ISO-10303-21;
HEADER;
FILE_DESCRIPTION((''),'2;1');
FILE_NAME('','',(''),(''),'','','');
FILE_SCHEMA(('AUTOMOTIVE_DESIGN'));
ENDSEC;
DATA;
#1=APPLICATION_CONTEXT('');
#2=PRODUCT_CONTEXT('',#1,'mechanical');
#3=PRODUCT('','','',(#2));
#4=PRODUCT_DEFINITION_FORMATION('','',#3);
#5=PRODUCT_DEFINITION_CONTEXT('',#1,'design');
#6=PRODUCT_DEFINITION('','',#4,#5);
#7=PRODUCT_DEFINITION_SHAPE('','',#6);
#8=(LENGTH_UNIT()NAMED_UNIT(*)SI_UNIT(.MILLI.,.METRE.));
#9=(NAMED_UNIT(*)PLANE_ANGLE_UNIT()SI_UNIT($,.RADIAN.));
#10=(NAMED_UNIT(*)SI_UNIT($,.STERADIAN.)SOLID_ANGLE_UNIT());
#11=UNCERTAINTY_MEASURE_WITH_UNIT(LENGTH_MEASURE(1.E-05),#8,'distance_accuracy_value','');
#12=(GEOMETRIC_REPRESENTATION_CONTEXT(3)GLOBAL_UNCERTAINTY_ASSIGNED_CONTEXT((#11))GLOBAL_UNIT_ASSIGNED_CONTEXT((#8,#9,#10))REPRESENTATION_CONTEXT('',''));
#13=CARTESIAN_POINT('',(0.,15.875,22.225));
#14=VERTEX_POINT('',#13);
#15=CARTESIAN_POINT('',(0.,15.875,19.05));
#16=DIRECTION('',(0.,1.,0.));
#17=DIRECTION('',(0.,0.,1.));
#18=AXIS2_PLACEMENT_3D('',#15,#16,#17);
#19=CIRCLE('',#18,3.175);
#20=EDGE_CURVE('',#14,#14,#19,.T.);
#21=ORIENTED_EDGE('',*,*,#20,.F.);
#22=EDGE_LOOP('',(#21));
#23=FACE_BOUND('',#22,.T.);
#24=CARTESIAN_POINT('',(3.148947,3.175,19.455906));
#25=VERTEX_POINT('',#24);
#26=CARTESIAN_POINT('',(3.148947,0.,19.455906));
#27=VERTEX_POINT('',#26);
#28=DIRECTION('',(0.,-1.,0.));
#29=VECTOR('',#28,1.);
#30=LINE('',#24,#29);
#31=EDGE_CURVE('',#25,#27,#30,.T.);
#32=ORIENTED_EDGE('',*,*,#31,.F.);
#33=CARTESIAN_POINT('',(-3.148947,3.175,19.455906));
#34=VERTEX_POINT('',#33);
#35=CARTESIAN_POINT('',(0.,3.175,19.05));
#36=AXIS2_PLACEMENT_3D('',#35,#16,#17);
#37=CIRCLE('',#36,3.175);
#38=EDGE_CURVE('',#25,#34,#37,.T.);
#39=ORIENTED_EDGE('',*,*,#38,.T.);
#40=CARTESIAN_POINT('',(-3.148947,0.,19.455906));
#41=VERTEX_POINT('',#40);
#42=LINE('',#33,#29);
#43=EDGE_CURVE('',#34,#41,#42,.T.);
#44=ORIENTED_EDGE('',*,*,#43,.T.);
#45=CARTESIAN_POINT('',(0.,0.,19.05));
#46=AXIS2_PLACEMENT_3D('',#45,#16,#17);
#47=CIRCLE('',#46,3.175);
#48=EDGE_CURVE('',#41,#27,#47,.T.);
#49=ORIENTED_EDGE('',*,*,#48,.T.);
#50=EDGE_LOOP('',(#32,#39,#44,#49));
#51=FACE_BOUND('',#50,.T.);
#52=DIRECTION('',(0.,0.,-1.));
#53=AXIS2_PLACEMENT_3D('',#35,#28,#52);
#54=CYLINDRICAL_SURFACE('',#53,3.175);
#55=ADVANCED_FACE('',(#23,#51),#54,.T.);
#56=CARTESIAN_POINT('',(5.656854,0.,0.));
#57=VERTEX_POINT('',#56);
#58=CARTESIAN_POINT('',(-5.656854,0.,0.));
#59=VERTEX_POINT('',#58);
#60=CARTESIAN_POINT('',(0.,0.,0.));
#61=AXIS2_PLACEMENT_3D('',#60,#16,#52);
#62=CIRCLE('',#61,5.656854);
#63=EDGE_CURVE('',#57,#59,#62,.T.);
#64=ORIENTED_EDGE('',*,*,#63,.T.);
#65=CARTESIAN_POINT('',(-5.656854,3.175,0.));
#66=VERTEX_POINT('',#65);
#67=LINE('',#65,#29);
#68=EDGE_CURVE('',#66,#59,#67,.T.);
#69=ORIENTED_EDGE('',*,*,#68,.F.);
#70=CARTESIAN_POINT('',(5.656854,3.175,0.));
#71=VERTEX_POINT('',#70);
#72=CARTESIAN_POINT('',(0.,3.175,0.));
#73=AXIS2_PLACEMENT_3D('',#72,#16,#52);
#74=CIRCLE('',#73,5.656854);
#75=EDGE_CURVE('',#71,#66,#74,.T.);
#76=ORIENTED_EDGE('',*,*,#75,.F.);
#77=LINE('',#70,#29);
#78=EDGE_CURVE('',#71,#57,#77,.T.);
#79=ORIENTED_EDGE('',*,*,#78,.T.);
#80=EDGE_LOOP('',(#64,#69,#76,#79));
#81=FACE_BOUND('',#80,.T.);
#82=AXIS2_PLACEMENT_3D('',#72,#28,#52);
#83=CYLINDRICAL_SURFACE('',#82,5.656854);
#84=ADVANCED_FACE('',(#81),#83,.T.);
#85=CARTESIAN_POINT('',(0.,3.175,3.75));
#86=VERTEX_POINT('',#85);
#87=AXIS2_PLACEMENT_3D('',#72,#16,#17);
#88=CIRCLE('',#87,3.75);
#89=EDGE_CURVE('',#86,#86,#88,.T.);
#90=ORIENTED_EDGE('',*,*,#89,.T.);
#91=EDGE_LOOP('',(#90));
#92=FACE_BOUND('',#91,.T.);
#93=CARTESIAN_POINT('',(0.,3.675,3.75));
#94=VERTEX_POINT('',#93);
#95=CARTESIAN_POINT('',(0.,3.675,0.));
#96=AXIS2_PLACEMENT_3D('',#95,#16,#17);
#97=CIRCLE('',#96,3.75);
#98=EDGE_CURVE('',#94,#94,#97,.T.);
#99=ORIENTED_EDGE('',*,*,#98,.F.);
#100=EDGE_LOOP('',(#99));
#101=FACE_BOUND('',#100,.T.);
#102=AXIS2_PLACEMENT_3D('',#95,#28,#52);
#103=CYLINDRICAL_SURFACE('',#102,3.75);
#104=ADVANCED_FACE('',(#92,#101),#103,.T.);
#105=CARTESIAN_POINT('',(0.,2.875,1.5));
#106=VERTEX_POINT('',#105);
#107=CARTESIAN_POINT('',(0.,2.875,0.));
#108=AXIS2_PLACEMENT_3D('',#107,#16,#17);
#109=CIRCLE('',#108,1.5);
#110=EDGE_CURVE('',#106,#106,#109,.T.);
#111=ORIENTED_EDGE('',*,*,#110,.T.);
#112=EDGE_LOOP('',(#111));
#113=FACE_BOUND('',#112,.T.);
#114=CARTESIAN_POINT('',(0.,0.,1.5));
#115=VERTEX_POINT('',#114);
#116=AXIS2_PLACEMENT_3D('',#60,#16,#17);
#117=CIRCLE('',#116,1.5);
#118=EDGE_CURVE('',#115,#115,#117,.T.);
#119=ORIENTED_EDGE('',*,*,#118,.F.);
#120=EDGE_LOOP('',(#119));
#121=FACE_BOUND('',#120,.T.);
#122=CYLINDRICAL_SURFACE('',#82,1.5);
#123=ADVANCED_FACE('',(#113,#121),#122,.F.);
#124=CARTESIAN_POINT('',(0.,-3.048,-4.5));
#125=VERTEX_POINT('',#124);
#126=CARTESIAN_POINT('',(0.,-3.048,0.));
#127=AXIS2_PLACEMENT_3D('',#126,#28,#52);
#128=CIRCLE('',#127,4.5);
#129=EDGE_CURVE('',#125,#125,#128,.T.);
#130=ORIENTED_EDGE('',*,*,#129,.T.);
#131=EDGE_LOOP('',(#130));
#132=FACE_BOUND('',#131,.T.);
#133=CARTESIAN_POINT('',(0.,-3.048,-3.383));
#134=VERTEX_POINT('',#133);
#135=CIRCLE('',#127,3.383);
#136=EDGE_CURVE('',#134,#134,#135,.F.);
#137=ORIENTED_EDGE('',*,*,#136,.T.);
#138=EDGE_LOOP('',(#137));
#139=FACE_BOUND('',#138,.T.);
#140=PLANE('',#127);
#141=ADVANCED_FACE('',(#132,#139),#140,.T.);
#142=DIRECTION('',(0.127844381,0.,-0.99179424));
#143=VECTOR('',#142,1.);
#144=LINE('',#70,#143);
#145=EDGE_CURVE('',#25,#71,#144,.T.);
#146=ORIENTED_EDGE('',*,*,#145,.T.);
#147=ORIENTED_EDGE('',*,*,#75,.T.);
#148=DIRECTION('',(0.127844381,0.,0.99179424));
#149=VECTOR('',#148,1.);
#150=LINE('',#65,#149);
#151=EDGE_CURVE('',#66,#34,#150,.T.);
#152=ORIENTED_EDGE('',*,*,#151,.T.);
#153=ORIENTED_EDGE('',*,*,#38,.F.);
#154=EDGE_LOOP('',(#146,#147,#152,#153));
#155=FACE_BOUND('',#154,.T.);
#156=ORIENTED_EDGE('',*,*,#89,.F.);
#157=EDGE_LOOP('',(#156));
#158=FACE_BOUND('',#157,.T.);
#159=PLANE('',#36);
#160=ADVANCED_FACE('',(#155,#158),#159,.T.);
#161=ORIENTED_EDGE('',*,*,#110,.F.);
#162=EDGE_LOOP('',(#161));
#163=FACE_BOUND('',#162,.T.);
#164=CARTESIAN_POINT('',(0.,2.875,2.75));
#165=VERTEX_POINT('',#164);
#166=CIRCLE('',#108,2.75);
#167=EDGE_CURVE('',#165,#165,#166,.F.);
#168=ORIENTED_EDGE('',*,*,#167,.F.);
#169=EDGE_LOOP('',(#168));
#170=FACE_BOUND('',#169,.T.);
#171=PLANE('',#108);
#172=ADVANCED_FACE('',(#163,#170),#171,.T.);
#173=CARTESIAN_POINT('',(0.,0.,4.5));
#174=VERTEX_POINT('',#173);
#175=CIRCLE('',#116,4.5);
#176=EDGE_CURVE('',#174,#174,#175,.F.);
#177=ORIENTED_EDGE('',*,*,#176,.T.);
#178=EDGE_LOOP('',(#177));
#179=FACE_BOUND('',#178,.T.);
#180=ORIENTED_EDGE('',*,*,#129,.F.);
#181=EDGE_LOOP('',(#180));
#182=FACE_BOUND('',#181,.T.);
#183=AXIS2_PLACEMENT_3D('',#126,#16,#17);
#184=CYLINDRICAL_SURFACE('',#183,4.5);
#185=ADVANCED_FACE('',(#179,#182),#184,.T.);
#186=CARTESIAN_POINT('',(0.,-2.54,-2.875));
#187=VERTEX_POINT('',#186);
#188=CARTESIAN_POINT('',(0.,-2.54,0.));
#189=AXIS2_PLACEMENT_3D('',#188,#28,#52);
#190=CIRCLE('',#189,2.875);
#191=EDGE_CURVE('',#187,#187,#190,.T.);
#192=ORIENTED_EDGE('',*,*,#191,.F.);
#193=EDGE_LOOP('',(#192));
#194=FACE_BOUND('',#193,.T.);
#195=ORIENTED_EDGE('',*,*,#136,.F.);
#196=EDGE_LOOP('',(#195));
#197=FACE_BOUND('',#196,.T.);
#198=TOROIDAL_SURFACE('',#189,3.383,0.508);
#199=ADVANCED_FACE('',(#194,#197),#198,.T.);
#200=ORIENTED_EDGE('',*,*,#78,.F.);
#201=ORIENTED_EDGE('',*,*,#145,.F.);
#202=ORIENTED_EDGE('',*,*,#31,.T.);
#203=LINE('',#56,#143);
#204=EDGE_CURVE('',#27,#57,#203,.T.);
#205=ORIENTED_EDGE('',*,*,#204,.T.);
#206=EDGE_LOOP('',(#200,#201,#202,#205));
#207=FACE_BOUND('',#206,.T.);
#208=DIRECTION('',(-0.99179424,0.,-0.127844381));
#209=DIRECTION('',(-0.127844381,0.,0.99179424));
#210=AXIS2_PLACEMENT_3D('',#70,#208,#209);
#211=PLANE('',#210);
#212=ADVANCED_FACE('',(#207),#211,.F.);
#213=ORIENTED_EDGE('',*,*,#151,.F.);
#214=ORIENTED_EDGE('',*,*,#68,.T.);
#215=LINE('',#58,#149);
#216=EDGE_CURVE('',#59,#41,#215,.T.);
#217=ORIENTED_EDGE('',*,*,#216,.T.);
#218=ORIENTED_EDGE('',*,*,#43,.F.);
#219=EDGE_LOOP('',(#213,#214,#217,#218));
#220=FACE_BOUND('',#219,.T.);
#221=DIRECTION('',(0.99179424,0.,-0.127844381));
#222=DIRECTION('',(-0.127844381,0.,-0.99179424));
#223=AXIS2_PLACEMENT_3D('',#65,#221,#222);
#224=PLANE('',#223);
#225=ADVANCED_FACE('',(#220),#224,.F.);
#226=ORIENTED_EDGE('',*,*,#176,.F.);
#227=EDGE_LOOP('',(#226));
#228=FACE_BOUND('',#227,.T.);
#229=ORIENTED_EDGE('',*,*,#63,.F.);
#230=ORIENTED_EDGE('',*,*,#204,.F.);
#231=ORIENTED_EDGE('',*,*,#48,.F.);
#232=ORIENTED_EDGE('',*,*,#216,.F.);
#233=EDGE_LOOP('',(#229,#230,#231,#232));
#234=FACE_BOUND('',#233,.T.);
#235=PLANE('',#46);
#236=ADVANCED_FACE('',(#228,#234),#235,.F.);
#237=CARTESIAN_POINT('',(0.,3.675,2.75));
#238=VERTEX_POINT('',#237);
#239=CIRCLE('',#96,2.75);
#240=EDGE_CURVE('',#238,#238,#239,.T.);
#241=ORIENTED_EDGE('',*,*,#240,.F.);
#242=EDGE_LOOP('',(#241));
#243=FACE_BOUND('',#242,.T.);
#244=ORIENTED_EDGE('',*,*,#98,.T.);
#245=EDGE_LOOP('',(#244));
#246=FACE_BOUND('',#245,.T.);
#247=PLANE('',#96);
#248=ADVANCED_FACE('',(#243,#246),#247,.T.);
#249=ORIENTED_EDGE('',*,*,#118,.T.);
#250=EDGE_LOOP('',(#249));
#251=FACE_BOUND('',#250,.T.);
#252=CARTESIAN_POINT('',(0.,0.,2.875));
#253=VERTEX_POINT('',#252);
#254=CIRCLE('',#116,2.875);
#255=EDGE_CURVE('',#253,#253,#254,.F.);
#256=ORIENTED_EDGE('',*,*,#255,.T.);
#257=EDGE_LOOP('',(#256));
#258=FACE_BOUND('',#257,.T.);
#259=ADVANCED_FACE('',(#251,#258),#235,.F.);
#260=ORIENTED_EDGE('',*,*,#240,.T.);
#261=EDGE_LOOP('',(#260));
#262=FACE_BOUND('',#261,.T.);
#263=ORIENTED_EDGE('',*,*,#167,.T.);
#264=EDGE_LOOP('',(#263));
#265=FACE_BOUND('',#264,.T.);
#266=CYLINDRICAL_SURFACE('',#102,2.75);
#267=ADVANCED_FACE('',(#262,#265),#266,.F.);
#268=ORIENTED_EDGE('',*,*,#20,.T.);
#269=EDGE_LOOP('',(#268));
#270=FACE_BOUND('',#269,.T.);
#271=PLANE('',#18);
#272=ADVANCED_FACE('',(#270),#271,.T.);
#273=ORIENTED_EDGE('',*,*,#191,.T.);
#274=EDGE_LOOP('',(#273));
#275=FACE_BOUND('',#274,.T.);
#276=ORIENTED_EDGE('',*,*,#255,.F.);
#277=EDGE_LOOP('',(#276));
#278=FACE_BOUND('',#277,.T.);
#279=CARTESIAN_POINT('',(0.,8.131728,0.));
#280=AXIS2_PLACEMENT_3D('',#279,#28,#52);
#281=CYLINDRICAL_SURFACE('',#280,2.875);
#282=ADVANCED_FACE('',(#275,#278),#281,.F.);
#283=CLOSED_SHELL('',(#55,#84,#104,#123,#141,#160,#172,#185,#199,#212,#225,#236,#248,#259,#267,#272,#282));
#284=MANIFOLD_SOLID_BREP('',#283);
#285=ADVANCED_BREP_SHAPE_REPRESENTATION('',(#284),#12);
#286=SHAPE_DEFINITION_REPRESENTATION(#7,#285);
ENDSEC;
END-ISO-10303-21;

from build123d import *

# Parameters (mm, degrees)
SKETCH1_R           = 1.5
BOSS_EXTRUDE1_DEPTH = 3.175
SKETCH2_R           = 3.75
SKETCH2_R_2         = 2.75
BOSS_EXTRUDE2_DEPTH = 0.5
SKETCH3_R           = 2.75
SKETCH3_R_2         = 1.5
CUT_EXTRUDE1_DEPTH  = 0.8
SKETCH4_R           = 4.5
SKETCH4_R_2         = 2.5
BOSS_EXTRUDE3_DEPTH = 3.048
SKETCH5_R           = 2.875
CUT_EXTRUDE3_DEPTH  = 3.048
SKETCH6_R           = 3.175
BOSS_EXTRUDE4_DEPTH = 12.7
FILLET1_R           = 0.508


with BuildPart() as part:
    # Sketch1 → Boss-Extrude1 (new body)
    with BuildSketch(Plane(origin=(0, 0, 0), x_dir=(1, 0, 0), z_dir=(0, 1, 0))):
        with BuildLine():
            Line((-5.656854249, 0), (-3.148946712, -19.45590591))
            ThreePointArc((-3.148946712, -19.45590591), (0, -22.225), (3.148946712, -19.45590591))
            Line((3.148946712, -19.45590591), (5.656854249, 0))
            ThreePointArc((5.656854249, 0), (0, 5.656854249), (-5.656854249, 0))
        make_face()
        Circle(SKETCH1_R, mode=Mode.SUBTRACT)
    extrude(amount=BOSS_EXTRUDE1_DEPTH)

    # Sketch2 → Boss-Extrude2 (add)
    with BuildSketch(Plane(origin=(0, 3.175, 0), x_dir=(1, 0, 0), z_dir=(0, 1, 0))):
        Circle(SKETCH2_R)
        Circle(SKETCH2_R_2, mode=Mode.SUBTRACT)
    extrude(amount=BOSS_EXTRUDE2_DEPTH)

    # Sketch3 → Cut-Extrude1 (cut)
    with BuildSketch(Plane(origin=(0, 3.675, 0), x_dir=(1, 0, 0), z_dir=(0, 1, 0))):
        Circle(SKETCH3_R)
        Circle(SKETCH3_R_2, mode=Mode.SUBTRACT)
    extrude(amount=-CUT_EXTRUDE1_DEPTH, mode=Mode.SUBTRACT)

    # Sketch4 → Boss-Extrude3 (add)
    with BuildSketch(Plane.XZ):
        Circle(SKETCH4_R)
        Circle(SKETCH4_R_2, mode=Mode.SUBTRACT)
    extrude(amount=BOSS_EXTRUDE3_DEPTH)

    # Sketch5 → Cut-Extrude3 (cut)
    with BuildSketch(Plane.XZ.offset(3.048)):
        Circle(SKETCH5_R)
    extrude(amount=-CUT_EXTRUDE3_DEPTH, mode=Mode.SUBTRACT)

    # Sketch6 → Boss-Extrude4 (add)
    with BuildSketch(Plane(origin=(0, 3.175, 0), x_dir=(1, 0, 0), z_dir=(0, 1, 0))):
        with Locations((0, -19.05)):
            Circle(SKETCH6_R)
    extrude(amount=BOSS_EXTRUDE4_DEPTH)

    # Fillet1
    fillet1_edges = [part.edges().sort_by_distance(p)[0] for p in [
        (-2.875, -3.048, 0),
    ]]
    fillet(fillet1_edges, radius=FILLET1_R)


solid = part.part
